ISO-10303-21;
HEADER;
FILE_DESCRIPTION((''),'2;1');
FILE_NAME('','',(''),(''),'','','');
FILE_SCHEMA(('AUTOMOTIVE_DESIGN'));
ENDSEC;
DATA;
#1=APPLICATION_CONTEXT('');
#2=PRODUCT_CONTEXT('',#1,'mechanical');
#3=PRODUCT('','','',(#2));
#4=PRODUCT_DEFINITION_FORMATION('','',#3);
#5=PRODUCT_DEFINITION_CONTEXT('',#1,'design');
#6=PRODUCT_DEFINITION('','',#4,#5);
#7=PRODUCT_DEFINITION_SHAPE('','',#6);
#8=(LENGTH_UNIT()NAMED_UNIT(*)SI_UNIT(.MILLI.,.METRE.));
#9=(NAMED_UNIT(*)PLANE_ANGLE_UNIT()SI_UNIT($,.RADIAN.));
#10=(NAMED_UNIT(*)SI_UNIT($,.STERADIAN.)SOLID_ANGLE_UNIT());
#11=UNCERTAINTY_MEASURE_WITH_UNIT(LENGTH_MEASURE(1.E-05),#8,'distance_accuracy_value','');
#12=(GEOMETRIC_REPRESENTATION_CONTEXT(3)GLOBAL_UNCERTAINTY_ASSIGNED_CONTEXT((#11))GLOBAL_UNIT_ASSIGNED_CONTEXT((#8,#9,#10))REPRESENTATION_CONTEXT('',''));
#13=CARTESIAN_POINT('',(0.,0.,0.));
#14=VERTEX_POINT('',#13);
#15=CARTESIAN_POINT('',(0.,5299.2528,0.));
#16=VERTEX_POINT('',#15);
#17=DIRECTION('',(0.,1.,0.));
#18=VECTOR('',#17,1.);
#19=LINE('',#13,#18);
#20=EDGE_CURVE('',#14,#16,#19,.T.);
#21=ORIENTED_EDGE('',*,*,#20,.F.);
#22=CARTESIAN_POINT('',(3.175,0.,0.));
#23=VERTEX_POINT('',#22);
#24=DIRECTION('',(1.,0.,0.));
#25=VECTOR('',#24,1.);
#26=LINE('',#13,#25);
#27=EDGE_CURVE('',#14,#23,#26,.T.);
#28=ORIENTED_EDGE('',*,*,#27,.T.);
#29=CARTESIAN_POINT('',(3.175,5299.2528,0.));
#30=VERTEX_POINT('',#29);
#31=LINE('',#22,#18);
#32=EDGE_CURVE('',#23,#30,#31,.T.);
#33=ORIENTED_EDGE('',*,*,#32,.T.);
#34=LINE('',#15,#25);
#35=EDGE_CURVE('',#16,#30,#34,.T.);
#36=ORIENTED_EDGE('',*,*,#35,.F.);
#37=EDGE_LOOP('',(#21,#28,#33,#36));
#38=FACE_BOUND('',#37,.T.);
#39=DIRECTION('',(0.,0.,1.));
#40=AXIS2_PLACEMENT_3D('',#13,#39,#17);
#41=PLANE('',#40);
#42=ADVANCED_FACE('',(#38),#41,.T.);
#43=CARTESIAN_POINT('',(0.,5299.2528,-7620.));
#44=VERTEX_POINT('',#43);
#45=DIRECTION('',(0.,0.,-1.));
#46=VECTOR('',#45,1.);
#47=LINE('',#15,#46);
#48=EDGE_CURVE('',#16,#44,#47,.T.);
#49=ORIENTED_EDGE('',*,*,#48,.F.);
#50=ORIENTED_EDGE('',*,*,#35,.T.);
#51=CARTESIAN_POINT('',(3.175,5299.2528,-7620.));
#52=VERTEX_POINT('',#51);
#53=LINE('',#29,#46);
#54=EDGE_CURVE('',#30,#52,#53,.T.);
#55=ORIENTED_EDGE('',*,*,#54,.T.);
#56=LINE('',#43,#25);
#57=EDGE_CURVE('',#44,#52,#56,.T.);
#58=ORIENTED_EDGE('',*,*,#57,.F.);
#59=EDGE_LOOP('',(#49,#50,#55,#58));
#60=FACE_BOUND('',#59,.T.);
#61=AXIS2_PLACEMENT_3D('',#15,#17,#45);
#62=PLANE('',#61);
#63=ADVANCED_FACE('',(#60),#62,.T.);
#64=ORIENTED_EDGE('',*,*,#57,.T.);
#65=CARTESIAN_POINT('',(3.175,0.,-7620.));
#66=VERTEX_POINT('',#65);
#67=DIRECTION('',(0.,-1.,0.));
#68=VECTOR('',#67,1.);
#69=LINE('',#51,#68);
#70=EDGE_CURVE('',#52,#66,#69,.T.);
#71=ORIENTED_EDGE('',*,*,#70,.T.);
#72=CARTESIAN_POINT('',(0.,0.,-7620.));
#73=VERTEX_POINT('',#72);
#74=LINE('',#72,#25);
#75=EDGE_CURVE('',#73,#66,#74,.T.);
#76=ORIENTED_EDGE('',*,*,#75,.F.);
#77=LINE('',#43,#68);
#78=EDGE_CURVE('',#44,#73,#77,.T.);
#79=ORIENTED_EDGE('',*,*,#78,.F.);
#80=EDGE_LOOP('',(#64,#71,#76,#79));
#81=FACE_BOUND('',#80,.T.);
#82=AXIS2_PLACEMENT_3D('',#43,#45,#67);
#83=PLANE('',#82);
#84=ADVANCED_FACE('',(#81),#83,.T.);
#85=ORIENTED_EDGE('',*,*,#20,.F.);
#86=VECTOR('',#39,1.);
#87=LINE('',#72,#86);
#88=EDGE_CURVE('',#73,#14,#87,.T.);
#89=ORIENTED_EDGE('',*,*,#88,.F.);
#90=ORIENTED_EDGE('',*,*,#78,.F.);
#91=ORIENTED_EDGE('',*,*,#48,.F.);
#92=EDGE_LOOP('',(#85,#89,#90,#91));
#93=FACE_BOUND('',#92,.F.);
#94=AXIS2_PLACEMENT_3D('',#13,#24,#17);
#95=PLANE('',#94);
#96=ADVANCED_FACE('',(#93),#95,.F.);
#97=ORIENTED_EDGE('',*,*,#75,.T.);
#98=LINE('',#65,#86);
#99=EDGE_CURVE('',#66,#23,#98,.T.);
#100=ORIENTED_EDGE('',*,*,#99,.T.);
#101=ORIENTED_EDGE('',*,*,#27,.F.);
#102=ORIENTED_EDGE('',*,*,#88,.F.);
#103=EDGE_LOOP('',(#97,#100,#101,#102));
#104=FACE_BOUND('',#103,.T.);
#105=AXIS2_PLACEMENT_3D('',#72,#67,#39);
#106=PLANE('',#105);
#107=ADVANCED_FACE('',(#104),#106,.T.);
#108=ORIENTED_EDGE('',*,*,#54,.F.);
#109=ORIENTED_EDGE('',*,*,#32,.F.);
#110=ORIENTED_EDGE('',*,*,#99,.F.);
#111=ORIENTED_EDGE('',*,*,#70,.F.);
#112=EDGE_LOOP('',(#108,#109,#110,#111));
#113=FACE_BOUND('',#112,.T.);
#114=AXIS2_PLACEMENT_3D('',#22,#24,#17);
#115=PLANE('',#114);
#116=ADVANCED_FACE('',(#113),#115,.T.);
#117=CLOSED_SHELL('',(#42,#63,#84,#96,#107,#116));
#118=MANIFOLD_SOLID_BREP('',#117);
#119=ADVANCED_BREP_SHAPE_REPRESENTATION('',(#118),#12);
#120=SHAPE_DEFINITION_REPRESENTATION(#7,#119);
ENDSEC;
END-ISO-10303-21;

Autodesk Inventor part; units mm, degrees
ref_plane "YZ Plane" through (0, 0, 0) normal (1, 0, 0) x (0, 1, 0)
ref_plane "XZ Plane" through (0, 0, 0) normal (0, 1, 0) x (-1, 0, 0)
ref_plane "XY Plane" through (0, 0, 0) normal (0, 0, 1) x (1, 0, 0)
sketch "Sketch1" plane through (0, 0, 0) normal (1, 0, 0) x (0, 1, 0)
  line L0 (0, 0) -> (5299.2528, 0)
  line L1 (5299.2528, 0) -> (5299.2528, -7620)
  line L2 (5299.2528, -7620) -> (0, -7620)
  line L3 (0, -7620) -> (0, 0)
  dimension "d2" = 7620
  dimension "d3" = 5299.2528
extrude "Extrusion1" add sketch "Sketch1" along normal blind 3.175
properties part number "Sheathing" material "Wood (Southern Pine)"
